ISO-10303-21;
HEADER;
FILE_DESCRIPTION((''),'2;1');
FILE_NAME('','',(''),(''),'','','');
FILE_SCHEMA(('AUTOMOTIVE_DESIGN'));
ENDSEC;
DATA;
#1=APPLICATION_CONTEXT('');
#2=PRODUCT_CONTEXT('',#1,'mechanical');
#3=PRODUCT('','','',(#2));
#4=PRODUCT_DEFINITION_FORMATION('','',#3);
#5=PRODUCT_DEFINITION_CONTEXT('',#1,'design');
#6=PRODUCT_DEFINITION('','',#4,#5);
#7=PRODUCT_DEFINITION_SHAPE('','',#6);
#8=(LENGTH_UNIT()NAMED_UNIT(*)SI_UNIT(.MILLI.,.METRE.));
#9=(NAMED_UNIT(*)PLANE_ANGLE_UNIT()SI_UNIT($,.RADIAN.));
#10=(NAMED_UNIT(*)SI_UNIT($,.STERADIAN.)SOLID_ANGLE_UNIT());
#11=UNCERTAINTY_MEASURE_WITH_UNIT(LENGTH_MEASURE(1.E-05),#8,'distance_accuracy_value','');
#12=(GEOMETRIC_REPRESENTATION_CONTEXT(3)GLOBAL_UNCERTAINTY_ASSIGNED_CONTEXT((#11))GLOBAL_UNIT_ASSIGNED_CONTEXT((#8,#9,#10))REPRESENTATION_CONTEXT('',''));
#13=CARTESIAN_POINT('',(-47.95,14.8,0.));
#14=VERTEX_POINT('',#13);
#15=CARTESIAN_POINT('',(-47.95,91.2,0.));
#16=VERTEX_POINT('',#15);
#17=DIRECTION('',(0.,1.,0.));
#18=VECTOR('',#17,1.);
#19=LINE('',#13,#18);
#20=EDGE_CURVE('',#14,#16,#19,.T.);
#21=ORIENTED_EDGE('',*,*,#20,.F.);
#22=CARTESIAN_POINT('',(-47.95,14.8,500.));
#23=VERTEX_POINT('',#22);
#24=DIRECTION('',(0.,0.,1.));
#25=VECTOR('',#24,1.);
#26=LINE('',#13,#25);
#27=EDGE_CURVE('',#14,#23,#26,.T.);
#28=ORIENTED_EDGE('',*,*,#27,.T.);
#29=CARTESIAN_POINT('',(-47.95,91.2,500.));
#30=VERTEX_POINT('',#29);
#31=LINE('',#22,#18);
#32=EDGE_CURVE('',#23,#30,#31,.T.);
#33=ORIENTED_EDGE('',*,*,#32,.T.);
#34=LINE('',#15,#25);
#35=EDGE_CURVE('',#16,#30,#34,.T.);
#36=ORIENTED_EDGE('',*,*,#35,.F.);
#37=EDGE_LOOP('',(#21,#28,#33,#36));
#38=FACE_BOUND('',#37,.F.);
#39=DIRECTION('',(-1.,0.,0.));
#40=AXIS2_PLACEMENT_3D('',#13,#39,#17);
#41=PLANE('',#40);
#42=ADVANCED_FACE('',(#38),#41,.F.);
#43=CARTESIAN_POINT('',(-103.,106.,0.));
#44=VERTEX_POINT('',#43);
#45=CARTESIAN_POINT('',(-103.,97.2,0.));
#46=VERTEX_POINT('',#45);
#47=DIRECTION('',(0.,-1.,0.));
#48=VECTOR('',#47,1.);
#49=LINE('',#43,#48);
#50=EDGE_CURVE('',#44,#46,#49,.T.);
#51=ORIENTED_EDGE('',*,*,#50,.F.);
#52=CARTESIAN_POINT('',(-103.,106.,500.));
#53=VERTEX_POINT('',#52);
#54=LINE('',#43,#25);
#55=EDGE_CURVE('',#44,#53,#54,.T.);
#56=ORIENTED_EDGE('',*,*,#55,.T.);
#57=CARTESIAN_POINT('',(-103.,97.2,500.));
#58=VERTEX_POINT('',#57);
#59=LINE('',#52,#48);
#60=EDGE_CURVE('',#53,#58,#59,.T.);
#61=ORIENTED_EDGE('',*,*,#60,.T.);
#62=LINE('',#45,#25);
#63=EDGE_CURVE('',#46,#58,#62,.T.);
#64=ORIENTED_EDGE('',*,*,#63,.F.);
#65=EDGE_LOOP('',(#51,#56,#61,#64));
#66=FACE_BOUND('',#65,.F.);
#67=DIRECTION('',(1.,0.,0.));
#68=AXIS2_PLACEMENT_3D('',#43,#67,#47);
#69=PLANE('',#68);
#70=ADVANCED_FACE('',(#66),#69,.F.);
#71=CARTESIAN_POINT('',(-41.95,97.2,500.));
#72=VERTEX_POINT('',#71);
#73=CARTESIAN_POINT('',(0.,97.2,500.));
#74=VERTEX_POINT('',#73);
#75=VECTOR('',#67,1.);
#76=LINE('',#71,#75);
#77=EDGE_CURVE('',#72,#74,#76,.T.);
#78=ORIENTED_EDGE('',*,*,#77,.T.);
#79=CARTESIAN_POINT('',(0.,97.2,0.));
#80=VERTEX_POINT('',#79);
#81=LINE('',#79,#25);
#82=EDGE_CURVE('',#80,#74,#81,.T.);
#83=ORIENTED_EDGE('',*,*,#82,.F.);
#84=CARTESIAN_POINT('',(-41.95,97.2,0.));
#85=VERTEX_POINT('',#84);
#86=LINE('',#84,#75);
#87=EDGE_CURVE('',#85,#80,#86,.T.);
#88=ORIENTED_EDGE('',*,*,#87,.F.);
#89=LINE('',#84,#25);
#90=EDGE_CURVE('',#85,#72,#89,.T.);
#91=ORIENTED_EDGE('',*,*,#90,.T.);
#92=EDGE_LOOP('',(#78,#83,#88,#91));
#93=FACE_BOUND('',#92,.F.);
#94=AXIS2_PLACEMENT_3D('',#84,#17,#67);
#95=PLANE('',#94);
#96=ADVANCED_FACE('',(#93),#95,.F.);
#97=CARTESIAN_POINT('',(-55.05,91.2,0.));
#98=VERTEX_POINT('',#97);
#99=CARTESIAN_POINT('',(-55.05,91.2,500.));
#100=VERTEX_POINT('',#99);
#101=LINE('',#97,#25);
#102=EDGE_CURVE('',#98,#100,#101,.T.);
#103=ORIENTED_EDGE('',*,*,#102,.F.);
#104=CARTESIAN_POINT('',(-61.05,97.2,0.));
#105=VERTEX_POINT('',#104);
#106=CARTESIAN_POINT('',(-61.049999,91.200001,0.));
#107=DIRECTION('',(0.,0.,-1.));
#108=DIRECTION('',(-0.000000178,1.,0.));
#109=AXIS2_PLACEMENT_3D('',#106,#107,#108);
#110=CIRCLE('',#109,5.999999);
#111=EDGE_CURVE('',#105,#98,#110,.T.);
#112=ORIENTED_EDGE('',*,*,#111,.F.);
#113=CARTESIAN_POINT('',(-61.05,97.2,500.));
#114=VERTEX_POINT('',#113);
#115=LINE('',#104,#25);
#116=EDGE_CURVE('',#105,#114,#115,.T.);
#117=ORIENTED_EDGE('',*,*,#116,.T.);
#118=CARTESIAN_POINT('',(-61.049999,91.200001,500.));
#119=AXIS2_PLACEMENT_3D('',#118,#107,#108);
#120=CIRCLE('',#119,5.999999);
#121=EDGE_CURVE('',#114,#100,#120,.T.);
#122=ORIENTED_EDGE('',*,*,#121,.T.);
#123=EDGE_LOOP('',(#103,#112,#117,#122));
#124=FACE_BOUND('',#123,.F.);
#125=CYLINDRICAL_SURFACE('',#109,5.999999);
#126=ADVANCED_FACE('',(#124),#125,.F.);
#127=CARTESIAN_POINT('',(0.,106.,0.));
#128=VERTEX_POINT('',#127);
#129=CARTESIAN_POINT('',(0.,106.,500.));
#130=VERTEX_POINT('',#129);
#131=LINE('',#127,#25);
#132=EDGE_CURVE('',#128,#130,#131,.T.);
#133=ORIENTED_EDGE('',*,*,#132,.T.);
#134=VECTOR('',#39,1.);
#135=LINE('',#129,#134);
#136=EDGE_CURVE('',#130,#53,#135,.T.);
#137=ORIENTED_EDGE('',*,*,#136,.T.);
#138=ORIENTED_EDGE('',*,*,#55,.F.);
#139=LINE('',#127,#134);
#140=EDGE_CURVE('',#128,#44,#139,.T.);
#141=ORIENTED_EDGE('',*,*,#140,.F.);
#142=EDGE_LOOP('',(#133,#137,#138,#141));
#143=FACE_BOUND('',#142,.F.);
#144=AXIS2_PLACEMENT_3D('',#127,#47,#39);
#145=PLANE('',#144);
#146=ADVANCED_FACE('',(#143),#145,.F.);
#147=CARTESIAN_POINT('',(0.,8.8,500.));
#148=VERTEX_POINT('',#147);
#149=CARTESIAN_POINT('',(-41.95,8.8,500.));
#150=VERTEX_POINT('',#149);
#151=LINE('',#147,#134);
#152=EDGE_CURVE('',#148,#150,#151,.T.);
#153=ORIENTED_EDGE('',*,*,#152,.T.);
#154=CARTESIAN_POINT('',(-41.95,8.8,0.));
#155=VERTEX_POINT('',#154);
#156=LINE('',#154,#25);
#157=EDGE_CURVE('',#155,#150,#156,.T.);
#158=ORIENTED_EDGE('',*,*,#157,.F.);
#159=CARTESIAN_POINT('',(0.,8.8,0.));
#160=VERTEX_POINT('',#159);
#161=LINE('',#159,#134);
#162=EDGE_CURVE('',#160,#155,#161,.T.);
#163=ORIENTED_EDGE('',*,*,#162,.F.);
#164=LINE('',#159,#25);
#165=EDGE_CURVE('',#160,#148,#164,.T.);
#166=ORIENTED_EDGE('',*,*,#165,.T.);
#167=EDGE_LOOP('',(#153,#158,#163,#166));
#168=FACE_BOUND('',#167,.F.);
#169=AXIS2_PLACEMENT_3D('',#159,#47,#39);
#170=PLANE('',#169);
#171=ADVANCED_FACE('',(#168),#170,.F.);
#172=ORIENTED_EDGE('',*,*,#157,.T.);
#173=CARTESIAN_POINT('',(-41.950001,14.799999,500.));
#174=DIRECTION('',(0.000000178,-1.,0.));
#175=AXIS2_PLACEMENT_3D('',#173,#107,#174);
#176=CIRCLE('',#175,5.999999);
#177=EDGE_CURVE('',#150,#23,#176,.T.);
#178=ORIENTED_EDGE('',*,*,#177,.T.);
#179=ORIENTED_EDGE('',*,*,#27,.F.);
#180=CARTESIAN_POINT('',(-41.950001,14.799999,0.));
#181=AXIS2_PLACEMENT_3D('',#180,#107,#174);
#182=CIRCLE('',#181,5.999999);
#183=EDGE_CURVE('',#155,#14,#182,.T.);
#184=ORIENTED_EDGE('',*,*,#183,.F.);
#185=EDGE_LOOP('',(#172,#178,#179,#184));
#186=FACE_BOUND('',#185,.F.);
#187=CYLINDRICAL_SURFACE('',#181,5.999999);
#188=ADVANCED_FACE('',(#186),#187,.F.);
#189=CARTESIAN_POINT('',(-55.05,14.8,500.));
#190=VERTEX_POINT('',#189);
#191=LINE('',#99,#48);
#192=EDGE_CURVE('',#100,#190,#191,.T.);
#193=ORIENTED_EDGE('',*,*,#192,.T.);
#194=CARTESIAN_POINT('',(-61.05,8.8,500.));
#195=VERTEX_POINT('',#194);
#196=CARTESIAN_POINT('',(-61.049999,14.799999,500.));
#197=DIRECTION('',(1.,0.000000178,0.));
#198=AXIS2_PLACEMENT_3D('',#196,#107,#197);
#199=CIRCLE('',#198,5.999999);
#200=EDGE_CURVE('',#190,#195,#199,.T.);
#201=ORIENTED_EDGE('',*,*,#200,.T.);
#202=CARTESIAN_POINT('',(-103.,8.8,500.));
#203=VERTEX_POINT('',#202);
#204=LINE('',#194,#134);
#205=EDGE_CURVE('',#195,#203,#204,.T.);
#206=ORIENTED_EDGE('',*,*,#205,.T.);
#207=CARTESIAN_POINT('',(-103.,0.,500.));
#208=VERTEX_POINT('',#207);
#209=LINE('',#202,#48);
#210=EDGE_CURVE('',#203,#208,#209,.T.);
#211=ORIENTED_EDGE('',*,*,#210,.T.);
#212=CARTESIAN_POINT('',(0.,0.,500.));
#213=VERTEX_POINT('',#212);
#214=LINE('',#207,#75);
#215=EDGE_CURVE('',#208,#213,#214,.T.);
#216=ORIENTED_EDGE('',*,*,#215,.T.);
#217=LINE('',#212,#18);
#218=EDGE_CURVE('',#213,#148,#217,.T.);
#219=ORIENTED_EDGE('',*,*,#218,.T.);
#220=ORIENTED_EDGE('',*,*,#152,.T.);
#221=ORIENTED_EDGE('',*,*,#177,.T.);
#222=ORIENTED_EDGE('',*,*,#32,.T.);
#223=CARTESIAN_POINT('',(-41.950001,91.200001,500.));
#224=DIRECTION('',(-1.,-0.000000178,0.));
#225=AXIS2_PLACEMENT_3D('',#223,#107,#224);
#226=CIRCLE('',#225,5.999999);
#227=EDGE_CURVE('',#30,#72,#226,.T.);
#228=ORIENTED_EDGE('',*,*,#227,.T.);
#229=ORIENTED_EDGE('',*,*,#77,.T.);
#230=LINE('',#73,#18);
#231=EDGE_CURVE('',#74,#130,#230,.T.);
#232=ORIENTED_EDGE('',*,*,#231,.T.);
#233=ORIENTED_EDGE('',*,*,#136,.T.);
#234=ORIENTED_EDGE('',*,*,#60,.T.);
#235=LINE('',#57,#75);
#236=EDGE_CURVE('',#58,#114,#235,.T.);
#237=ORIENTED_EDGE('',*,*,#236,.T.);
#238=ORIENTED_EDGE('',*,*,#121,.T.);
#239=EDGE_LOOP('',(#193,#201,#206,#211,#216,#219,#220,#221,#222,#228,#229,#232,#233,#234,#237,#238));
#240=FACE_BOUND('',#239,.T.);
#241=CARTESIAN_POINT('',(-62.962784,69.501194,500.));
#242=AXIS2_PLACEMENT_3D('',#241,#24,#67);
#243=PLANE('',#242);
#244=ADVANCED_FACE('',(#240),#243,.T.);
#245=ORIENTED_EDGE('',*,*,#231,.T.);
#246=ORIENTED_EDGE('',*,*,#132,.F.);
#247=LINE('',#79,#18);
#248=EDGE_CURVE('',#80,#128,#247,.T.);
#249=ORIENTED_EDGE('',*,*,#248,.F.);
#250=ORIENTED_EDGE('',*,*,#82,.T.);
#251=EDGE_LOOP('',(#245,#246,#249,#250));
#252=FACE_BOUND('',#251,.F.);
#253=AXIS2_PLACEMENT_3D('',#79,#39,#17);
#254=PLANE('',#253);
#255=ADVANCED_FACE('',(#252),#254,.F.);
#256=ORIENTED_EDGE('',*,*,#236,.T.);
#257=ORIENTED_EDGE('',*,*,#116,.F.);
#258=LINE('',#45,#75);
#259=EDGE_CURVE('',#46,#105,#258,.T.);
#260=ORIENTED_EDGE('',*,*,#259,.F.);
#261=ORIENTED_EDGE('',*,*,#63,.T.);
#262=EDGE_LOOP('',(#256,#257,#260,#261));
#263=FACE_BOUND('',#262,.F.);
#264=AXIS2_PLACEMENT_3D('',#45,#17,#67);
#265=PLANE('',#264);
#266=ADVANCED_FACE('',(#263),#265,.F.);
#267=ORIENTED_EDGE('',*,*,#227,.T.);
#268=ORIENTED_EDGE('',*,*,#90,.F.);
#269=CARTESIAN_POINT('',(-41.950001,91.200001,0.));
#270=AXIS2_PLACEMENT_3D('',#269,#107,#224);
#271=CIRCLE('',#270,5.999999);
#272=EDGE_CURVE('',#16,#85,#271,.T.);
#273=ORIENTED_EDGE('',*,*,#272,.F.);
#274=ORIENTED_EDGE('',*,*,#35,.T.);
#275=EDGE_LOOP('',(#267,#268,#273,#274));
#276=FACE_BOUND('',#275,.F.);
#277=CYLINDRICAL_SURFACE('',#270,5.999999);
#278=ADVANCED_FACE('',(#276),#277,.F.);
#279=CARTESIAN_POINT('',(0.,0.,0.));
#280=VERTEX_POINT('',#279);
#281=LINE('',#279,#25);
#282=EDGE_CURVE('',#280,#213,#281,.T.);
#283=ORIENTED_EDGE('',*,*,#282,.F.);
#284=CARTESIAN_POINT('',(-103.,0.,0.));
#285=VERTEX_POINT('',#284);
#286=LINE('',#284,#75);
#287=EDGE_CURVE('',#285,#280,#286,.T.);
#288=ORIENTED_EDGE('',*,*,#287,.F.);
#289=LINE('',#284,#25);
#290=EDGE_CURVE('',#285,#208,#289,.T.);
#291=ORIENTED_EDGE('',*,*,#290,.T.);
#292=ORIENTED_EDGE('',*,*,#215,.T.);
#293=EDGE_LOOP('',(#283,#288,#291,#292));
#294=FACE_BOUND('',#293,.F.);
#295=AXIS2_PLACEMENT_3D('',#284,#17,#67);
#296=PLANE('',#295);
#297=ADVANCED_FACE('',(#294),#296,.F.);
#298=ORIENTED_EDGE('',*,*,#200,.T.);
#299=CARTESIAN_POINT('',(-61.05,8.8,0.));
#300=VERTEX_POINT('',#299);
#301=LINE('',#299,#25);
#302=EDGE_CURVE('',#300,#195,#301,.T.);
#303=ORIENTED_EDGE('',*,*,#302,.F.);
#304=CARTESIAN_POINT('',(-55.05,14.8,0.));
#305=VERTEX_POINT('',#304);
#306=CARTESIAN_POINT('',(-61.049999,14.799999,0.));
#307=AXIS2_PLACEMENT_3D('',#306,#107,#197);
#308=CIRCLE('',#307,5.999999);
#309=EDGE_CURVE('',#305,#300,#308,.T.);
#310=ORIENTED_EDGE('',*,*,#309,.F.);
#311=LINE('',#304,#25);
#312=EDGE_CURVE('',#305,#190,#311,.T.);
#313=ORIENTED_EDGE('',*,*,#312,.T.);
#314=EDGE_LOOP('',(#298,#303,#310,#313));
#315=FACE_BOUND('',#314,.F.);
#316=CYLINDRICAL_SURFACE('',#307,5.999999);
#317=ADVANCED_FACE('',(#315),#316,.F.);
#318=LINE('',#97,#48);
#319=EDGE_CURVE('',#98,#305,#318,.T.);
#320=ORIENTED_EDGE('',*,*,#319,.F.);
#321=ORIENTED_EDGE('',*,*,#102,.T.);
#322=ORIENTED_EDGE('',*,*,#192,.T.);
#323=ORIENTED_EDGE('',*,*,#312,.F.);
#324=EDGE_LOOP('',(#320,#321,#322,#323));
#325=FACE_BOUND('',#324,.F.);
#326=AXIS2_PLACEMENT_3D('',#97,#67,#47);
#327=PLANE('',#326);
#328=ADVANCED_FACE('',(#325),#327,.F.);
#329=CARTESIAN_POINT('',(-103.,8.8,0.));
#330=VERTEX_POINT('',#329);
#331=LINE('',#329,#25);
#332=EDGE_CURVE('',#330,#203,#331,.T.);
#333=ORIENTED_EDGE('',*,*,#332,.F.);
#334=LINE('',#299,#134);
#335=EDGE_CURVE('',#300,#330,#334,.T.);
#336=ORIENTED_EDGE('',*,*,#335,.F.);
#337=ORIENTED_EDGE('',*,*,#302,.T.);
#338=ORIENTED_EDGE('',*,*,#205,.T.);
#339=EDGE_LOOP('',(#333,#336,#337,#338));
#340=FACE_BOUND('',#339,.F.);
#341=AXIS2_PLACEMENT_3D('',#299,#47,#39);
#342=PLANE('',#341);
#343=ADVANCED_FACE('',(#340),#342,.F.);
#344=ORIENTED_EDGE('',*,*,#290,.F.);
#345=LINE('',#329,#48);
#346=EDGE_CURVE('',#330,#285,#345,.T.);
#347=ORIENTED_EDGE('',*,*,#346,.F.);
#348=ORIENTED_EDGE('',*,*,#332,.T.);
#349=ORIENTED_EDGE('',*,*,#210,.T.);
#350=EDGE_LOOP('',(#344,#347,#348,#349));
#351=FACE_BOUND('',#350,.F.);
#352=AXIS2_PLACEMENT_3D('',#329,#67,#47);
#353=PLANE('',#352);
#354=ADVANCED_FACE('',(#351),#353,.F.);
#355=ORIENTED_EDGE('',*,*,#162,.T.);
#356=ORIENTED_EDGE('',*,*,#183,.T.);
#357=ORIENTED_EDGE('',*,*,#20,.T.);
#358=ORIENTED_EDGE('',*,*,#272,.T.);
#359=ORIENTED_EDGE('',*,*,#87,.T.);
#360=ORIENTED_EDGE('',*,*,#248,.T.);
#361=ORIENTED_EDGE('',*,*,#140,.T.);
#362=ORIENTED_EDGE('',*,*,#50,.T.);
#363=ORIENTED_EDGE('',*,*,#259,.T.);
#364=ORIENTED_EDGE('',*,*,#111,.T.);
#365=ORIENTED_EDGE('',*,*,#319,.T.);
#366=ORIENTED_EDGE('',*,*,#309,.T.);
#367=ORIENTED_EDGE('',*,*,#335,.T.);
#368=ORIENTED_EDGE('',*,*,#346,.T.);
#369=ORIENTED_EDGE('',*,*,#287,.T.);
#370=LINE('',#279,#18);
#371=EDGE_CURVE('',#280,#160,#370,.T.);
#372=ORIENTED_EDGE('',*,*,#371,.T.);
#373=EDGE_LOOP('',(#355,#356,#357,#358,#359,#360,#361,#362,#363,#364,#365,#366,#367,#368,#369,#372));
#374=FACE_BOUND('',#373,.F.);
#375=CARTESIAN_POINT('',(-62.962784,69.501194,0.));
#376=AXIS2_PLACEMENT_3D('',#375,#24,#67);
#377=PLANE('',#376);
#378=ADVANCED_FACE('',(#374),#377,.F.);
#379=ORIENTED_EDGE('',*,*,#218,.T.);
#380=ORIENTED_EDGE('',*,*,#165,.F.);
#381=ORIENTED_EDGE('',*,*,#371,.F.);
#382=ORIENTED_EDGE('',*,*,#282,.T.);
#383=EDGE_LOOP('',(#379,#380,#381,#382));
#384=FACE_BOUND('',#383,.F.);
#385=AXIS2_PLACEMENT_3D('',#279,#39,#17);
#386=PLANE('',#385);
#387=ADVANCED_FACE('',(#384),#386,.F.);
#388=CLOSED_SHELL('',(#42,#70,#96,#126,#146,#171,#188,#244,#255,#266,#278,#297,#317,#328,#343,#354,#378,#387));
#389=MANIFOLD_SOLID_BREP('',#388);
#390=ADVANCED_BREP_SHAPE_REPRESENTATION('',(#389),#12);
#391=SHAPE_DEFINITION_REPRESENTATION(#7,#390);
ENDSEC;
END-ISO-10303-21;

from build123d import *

# Parameters (mm, degrees)
F1_DEPTH = 500


with BuildPart() as f1:
    # F0 (on Top) → F1 (new body)
    with BuildSketch(Plane.XY):
        with BuildLine():
            Line((-55.05, 8.8), (-51.5, 8.8))
            Line((-51.5, 8.8), (-51.5, 97.2))
            Line((-51.5, 97.2), (-51.5, 106))
            Line((-51.5, 106), (-103, 106))
            Line((-103, 106), (-103, 97.2))
            Line((-103, 97.2), (-61.05, 97.2))
            ThreePointArc((-61.05, 97.2), (-56.807359, 95.442641), (-55.05, 91.2))
            Line((-55.05, 91.2), (-55.05, 14.8))
            ThreePointArc((-55.05, 14.8), (-56.807359, 10.557359), (-61.05, 8.8))
            Line((-61.05, 8.8), (-55.05, 8.8))
        make_face()
        with BuildLine():
            Line((-51.5, 97.2), (-51.5, 8.8))
            Line((-51.5, 8.8), (-47.95, 8.8))
            Line((-47.95, 8.8), (-41.95, 8.8))
            ThreePointArc((-41.95, 8.8), (-46.192641, 10.557359), (-47.95, 14.8))
            Line((-47.95, 14.8), (-47.95, 91.2))
            ThreePointArc((-47.95, 91.2), (-46.192641, 95.442641), (-41.95, 97.2))
            Line((-41.95, 97.2), (0, 97.2))
            Line((0, 97.2), (0, 106))
            Line((0, 106), (-51.5, 106))
            Line((-51.5, 106), (-51.5, 97.2))
        make_face()
        Polygon((-51.5, 0), (0, 0), (0, 8.8), (-41.95, 8.8), (-47.95, 8.8), (-51.5, 8.8), align=None)
        Polygon((-103, 0), (-51.5, 0), (-51.5, 8.8), (-55.05, 8.8), (-61.05, 8.8), (-103, 8.8), align=None)
    extrude(amount=F1_DEPTH)


solid = f1.part
